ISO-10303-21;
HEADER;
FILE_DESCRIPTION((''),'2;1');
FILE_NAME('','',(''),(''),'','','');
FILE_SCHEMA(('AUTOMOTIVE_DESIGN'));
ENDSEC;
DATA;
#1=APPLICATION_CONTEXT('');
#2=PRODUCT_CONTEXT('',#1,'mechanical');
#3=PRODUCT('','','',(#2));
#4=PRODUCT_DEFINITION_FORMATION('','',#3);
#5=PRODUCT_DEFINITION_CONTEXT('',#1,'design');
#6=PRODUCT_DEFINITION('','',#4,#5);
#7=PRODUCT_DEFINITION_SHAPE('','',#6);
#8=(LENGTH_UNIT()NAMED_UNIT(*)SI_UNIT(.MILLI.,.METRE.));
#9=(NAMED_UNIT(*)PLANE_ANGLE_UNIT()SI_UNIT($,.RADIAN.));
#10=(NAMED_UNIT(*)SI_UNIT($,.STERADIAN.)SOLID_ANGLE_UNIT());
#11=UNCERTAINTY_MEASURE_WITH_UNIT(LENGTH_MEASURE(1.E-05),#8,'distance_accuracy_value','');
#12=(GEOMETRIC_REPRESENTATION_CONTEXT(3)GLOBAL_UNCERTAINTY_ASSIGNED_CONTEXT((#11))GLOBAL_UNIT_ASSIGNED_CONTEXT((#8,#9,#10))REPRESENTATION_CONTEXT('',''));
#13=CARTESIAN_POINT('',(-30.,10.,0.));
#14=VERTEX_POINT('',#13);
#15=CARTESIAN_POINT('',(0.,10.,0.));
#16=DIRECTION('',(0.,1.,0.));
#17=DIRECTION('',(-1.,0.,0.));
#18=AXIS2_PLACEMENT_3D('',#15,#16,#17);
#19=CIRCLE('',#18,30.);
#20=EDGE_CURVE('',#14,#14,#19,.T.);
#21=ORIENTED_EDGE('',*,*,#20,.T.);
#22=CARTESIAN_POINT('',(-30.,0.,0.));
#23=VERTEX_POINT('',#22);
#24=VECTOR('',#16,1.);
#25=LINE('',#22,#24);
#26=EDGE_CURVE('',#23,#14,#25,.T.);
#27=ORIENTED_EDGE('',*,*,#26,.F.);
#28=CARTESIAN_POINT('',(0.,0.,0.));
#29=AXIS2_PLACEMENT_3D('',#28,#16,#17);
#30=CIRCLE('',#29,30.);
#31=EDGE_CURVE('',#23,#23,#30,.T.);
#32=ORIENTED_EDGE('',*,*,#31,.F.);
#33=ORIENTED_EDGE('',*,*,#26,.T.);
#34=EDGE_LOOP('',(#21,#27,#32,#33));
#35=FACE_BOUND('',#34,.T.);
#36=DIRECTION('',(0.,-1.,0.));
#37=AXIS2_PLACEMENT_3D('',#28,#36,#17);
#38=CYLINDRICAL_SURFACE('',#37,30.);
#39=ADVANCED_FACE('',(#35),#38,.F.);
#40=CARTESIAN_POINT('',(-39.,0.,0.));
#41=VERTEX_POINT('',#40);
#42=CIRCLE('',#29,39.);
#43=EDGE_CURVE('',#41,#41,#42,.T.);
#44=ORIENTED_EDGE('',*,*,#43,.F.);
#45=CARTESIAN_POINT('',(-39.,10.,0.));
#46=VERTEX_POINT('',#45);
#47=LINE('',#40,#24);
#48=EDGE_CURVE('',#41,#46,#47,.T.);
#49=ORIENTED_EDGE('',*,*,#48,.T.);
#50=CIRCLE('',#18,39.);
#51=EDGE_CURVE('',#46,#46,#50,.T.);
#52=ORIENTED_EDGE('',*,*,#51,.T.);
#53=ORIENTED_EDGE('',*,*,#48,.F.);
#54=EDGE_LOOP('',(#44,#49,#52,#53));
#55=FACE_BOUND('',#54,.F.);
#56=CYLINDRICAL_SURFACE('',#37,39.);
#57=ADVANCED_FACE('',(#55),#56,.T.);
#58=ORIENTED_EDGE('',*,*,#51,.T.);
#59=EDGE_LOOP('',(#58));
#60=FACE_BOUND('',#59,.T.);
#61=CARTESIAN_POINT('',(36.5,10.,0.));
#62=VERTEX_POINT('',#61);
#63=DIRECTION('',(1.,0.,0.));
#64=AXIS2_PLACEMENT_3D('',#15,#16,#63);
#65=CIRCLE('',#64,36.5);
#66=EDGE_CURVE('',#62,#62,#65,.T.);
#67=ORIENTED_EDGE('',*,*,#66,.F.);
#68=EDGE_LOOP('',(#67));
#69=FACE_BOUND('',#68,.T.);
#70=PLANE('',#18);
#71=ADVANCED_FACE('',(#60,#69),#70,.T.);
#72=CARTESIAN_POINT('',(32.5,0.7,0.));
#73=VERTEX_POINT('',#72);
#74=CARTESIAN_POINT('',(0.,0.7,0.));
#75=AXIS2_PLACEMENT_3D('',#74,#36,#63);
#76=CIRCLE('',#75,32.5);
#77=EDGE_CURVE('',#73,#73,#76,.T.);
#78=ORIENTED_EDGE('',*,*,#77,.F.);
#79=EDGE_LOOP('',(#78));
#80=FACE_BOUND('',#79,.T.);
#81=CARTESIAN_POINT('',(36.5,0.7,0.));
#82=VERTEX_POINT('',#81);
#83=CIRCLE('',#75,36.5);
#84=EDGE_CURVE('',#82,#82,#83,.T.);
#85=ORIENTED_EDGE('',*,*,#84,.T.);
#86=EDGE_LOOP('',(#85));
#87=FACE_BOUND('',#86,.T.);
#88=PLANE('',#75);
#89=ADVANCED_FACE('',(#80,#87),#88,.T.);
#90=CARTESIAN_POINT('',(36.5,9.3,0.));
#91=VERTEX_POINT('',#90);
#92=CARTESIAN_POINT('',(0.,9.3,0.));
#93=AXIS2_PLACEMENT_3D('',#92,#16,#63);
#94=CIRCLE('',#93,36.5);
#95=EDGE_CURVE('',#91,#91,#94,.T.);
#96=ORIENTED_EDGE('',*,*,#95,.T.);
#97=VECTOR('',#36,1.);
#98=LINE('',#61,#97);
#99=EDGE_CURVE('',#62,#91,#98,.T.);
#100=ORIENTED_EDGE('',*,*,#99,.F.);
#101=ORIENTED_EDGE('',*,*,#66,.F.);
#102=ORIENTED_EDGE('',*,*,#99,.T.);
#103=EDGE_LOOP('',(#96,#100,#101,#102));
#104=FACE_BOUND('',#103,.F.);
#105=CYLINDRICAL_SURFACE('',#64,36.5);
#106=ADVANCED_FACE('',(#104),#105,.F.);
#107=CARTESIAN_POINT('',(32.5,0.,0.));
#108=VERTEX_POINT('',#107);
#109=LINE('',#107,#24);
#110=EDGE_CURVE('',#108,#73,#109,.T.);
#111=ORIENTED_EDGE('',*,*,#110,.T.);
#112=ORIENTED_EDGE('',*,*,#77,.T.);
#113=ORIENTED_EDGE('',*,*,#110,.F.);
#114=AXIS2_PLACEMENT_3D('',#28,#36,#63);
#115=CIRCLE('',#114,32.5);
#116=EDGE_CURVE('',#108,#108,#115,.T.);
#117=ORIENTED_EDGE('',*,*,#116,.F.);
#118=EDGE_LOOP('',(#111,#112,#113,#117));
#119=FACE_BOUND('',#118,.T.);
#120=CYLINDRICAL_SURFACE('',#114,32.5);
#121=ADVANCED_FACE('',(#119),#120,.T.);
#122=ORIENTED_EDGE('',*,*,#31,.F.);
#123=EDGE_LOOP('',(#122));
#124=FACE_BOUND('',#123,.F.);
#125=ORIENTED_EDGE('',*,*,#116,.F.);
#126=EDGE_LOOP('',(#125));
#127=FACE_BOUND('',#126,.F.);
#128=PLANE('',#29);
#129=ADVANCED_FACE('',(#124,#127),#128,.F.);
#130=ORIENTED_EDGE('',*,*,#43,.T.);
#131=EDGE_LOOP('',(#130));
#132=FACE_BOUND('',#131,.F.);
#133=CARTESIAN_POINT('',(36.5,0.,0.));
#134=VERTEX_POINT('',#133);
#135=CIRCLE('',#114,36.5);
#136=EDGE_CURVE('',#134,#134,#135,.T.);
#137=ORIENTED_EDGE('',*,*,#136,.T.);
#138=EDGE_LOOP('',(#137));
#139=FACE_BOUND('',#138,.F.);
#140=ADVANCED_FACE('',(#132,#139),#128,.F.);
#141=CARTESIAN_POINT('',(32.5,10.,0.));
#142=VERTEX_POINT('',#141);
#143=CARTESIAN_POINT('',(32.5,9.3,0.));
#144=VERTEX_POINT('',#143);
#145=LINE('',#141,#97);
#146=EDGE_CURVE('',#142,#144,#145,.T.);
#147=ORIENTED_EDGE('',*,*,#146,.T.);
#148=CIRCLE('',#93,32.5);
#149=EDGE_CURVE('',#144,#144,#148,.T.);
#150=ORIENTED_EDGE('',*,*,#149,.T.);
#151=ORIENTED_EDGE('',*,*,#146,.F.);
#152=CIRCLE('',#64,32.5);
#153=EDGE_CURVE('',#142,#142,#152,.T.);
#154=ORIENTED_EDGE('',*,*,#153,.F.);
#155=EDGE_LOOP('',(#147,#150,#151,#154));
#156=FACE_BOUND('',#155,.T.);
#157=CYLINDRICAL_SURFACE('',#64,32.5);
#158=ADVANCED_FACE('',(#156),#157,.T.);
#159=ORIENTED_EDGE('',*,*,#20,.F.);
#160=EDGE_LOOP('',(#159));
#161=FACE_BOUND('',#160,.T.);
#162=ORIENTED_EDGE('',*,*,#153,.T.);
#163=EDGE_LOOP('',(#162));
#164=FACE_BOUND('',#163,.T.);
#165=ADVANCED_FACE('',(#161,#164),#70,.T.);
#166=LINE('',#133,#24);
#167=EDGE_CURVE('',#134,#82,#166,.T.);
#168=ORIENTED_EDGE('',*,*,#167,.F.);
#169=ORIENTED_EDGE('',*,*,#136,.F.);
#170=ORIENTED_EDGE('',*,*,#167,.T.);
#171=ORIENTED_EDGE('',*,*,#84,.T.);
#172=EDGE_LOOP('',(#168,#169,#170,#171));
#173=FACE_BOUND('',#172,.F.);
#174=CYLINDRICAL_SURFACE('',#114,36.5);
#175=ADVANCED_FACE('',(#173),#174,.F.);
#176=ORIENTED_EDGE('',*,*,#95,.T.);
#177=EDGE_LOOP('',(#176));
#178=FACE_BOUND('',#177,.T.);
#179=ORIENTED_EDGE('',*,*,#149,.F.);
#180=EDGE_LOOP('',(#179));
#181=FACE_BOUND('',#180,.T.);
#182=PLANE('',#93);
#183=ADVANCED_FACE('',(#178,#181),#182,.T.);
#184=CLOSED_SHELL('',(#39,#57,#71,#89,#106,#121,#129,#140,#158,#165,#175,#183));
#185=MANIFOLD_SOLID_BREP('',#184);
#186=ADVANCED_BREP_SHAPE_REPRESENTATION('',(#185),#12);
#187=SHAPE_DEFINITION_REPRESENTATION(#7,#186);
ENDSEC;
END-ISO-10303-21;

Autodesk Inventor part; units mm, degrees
ref_plane "YZ Plane" through (0, 0, 0) normal (1, 0, 0) x (0, 1, 0)
ref_plane "XZ Plane" through (0, 0, 0) normal (0, 1, 0) x (-1, 0, 0)
ref_plane "XY Plane" through (0, 0, 0) normal (0, 0, 1) x (1, 0, 0)
sketch "Sketch1" plane through (0, 0, 0) normal (0, 1, 0) x (-1, 0, 0)
  circle A0 centre (0, 0) radius 30
  circle A1 centre (0, 0) radius 39
  dimension "d0" = 60
  dimension "d1" = 78
extrude "Extrusion1" add sketch "Sketch1" along normal blind 10
sketch "Sketch2" plane through (0, 10, 0) normal (0, 1, 0) x (1, 0, 0)
  circle A0 centre (0, 0) radius 32.5
  circle A1 centre (0, 0) radius 36.5
  dimension "d4" = 65
  dimension "d5" = 73
extrude "Extrusion2" cut sketch "Sketch2" against normal blind 0.7
sketch "Sketch3" plane through (0, 0, 0) normal (0, -1, 0) x (1, 0, 0)
  circle A0 centre (0, 0) radius 36.5 projected
  circle A1 centre (0, 0) radius 32.5 projected
extrude "Extrusion3" cut sketch "Sketch3" against normal blind 0.7
properties part number "bearing_.6812zzipt"
